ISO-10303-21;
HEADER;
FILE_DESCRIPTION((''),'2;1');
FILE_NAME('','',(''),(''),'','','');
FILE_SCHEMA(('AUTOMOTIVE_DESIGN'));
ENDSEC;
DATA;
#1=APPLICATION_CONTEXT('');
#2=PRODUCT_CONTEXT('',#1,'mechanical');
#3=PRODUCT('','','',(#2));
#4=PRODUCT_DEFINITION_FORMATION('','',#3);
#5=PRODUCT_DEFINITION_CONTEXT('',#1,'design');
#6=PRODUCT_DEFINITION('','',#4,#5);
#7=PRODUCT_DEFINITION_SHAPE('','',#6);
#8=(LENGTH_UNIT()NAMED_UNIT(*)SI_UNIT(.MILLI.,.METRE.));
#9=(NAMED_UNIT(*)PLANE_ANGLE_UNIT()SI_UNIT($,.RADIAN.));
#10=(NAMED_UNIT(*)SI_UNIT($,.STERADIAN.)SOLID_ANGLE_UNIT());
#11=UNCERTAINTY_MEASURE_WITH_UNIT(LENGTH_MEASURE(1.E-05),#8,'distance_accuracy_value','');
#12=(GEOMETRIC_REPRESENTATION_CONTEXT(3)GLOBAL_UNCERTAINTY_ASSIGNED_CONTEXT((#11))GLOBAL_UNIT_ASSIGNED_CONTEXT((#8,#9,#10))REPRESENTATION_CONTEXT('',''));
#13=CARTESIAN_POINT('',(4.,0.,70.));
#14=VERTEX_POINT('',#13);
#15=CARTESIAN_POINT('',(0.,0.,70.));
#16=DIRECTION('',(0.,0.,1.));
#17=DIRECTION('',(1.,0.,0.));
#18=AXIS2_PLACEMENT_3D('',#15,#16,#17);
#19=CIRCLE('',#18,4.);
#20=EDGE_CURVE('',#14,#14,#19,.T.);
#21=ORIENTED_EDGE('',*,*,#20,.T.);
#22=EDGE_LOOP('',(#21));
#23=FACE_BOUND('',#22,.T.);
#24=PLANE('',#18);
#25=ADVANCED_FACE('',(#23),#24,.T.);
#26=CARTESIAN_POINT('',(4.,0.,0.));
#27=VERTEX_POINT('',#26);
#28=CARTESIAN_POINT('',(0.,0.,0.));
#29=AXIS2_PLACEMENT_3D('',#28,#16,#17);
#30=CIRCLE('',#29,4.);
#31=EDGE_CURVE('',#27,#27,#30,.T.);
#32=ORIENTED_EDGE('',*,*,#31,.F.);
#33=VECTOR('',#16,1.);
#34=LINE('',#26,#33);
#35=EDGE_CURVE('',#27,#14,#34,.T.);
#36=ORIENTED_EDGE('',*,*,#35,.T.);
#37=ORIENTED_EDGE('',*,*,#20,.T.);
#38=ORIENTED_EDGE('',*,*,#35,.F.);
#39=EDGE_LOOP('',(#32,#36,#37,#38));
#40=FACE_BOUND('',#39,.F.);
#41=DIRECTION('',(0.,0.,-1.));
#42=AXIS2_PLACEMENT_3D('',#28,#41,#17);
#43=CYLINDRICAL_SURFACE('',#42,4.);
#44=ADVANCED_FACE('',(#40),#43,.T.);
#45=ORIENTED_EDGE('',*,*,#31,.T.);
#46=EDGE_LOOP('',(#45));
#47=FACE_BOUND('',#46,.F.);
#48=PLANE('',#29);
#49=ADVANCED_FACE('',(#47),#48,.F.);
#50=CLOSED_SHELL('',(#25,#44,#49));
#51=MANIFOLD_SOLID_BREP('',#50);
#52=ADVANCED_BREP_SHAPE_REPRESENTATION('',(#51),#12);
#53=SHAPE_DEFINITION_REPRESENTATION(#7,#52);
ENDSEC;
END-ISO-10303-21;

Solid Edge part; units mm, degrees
sketch "Sketch1" plane through (0, 0, 0) normal (0, 0, 1) x (1, 0, 0)
  circle A0 centre (0, 0) radius 4
extrude "Protrusion1" add sketch "Sketch1" along normal blind 70
properties material "Stainless steel"
